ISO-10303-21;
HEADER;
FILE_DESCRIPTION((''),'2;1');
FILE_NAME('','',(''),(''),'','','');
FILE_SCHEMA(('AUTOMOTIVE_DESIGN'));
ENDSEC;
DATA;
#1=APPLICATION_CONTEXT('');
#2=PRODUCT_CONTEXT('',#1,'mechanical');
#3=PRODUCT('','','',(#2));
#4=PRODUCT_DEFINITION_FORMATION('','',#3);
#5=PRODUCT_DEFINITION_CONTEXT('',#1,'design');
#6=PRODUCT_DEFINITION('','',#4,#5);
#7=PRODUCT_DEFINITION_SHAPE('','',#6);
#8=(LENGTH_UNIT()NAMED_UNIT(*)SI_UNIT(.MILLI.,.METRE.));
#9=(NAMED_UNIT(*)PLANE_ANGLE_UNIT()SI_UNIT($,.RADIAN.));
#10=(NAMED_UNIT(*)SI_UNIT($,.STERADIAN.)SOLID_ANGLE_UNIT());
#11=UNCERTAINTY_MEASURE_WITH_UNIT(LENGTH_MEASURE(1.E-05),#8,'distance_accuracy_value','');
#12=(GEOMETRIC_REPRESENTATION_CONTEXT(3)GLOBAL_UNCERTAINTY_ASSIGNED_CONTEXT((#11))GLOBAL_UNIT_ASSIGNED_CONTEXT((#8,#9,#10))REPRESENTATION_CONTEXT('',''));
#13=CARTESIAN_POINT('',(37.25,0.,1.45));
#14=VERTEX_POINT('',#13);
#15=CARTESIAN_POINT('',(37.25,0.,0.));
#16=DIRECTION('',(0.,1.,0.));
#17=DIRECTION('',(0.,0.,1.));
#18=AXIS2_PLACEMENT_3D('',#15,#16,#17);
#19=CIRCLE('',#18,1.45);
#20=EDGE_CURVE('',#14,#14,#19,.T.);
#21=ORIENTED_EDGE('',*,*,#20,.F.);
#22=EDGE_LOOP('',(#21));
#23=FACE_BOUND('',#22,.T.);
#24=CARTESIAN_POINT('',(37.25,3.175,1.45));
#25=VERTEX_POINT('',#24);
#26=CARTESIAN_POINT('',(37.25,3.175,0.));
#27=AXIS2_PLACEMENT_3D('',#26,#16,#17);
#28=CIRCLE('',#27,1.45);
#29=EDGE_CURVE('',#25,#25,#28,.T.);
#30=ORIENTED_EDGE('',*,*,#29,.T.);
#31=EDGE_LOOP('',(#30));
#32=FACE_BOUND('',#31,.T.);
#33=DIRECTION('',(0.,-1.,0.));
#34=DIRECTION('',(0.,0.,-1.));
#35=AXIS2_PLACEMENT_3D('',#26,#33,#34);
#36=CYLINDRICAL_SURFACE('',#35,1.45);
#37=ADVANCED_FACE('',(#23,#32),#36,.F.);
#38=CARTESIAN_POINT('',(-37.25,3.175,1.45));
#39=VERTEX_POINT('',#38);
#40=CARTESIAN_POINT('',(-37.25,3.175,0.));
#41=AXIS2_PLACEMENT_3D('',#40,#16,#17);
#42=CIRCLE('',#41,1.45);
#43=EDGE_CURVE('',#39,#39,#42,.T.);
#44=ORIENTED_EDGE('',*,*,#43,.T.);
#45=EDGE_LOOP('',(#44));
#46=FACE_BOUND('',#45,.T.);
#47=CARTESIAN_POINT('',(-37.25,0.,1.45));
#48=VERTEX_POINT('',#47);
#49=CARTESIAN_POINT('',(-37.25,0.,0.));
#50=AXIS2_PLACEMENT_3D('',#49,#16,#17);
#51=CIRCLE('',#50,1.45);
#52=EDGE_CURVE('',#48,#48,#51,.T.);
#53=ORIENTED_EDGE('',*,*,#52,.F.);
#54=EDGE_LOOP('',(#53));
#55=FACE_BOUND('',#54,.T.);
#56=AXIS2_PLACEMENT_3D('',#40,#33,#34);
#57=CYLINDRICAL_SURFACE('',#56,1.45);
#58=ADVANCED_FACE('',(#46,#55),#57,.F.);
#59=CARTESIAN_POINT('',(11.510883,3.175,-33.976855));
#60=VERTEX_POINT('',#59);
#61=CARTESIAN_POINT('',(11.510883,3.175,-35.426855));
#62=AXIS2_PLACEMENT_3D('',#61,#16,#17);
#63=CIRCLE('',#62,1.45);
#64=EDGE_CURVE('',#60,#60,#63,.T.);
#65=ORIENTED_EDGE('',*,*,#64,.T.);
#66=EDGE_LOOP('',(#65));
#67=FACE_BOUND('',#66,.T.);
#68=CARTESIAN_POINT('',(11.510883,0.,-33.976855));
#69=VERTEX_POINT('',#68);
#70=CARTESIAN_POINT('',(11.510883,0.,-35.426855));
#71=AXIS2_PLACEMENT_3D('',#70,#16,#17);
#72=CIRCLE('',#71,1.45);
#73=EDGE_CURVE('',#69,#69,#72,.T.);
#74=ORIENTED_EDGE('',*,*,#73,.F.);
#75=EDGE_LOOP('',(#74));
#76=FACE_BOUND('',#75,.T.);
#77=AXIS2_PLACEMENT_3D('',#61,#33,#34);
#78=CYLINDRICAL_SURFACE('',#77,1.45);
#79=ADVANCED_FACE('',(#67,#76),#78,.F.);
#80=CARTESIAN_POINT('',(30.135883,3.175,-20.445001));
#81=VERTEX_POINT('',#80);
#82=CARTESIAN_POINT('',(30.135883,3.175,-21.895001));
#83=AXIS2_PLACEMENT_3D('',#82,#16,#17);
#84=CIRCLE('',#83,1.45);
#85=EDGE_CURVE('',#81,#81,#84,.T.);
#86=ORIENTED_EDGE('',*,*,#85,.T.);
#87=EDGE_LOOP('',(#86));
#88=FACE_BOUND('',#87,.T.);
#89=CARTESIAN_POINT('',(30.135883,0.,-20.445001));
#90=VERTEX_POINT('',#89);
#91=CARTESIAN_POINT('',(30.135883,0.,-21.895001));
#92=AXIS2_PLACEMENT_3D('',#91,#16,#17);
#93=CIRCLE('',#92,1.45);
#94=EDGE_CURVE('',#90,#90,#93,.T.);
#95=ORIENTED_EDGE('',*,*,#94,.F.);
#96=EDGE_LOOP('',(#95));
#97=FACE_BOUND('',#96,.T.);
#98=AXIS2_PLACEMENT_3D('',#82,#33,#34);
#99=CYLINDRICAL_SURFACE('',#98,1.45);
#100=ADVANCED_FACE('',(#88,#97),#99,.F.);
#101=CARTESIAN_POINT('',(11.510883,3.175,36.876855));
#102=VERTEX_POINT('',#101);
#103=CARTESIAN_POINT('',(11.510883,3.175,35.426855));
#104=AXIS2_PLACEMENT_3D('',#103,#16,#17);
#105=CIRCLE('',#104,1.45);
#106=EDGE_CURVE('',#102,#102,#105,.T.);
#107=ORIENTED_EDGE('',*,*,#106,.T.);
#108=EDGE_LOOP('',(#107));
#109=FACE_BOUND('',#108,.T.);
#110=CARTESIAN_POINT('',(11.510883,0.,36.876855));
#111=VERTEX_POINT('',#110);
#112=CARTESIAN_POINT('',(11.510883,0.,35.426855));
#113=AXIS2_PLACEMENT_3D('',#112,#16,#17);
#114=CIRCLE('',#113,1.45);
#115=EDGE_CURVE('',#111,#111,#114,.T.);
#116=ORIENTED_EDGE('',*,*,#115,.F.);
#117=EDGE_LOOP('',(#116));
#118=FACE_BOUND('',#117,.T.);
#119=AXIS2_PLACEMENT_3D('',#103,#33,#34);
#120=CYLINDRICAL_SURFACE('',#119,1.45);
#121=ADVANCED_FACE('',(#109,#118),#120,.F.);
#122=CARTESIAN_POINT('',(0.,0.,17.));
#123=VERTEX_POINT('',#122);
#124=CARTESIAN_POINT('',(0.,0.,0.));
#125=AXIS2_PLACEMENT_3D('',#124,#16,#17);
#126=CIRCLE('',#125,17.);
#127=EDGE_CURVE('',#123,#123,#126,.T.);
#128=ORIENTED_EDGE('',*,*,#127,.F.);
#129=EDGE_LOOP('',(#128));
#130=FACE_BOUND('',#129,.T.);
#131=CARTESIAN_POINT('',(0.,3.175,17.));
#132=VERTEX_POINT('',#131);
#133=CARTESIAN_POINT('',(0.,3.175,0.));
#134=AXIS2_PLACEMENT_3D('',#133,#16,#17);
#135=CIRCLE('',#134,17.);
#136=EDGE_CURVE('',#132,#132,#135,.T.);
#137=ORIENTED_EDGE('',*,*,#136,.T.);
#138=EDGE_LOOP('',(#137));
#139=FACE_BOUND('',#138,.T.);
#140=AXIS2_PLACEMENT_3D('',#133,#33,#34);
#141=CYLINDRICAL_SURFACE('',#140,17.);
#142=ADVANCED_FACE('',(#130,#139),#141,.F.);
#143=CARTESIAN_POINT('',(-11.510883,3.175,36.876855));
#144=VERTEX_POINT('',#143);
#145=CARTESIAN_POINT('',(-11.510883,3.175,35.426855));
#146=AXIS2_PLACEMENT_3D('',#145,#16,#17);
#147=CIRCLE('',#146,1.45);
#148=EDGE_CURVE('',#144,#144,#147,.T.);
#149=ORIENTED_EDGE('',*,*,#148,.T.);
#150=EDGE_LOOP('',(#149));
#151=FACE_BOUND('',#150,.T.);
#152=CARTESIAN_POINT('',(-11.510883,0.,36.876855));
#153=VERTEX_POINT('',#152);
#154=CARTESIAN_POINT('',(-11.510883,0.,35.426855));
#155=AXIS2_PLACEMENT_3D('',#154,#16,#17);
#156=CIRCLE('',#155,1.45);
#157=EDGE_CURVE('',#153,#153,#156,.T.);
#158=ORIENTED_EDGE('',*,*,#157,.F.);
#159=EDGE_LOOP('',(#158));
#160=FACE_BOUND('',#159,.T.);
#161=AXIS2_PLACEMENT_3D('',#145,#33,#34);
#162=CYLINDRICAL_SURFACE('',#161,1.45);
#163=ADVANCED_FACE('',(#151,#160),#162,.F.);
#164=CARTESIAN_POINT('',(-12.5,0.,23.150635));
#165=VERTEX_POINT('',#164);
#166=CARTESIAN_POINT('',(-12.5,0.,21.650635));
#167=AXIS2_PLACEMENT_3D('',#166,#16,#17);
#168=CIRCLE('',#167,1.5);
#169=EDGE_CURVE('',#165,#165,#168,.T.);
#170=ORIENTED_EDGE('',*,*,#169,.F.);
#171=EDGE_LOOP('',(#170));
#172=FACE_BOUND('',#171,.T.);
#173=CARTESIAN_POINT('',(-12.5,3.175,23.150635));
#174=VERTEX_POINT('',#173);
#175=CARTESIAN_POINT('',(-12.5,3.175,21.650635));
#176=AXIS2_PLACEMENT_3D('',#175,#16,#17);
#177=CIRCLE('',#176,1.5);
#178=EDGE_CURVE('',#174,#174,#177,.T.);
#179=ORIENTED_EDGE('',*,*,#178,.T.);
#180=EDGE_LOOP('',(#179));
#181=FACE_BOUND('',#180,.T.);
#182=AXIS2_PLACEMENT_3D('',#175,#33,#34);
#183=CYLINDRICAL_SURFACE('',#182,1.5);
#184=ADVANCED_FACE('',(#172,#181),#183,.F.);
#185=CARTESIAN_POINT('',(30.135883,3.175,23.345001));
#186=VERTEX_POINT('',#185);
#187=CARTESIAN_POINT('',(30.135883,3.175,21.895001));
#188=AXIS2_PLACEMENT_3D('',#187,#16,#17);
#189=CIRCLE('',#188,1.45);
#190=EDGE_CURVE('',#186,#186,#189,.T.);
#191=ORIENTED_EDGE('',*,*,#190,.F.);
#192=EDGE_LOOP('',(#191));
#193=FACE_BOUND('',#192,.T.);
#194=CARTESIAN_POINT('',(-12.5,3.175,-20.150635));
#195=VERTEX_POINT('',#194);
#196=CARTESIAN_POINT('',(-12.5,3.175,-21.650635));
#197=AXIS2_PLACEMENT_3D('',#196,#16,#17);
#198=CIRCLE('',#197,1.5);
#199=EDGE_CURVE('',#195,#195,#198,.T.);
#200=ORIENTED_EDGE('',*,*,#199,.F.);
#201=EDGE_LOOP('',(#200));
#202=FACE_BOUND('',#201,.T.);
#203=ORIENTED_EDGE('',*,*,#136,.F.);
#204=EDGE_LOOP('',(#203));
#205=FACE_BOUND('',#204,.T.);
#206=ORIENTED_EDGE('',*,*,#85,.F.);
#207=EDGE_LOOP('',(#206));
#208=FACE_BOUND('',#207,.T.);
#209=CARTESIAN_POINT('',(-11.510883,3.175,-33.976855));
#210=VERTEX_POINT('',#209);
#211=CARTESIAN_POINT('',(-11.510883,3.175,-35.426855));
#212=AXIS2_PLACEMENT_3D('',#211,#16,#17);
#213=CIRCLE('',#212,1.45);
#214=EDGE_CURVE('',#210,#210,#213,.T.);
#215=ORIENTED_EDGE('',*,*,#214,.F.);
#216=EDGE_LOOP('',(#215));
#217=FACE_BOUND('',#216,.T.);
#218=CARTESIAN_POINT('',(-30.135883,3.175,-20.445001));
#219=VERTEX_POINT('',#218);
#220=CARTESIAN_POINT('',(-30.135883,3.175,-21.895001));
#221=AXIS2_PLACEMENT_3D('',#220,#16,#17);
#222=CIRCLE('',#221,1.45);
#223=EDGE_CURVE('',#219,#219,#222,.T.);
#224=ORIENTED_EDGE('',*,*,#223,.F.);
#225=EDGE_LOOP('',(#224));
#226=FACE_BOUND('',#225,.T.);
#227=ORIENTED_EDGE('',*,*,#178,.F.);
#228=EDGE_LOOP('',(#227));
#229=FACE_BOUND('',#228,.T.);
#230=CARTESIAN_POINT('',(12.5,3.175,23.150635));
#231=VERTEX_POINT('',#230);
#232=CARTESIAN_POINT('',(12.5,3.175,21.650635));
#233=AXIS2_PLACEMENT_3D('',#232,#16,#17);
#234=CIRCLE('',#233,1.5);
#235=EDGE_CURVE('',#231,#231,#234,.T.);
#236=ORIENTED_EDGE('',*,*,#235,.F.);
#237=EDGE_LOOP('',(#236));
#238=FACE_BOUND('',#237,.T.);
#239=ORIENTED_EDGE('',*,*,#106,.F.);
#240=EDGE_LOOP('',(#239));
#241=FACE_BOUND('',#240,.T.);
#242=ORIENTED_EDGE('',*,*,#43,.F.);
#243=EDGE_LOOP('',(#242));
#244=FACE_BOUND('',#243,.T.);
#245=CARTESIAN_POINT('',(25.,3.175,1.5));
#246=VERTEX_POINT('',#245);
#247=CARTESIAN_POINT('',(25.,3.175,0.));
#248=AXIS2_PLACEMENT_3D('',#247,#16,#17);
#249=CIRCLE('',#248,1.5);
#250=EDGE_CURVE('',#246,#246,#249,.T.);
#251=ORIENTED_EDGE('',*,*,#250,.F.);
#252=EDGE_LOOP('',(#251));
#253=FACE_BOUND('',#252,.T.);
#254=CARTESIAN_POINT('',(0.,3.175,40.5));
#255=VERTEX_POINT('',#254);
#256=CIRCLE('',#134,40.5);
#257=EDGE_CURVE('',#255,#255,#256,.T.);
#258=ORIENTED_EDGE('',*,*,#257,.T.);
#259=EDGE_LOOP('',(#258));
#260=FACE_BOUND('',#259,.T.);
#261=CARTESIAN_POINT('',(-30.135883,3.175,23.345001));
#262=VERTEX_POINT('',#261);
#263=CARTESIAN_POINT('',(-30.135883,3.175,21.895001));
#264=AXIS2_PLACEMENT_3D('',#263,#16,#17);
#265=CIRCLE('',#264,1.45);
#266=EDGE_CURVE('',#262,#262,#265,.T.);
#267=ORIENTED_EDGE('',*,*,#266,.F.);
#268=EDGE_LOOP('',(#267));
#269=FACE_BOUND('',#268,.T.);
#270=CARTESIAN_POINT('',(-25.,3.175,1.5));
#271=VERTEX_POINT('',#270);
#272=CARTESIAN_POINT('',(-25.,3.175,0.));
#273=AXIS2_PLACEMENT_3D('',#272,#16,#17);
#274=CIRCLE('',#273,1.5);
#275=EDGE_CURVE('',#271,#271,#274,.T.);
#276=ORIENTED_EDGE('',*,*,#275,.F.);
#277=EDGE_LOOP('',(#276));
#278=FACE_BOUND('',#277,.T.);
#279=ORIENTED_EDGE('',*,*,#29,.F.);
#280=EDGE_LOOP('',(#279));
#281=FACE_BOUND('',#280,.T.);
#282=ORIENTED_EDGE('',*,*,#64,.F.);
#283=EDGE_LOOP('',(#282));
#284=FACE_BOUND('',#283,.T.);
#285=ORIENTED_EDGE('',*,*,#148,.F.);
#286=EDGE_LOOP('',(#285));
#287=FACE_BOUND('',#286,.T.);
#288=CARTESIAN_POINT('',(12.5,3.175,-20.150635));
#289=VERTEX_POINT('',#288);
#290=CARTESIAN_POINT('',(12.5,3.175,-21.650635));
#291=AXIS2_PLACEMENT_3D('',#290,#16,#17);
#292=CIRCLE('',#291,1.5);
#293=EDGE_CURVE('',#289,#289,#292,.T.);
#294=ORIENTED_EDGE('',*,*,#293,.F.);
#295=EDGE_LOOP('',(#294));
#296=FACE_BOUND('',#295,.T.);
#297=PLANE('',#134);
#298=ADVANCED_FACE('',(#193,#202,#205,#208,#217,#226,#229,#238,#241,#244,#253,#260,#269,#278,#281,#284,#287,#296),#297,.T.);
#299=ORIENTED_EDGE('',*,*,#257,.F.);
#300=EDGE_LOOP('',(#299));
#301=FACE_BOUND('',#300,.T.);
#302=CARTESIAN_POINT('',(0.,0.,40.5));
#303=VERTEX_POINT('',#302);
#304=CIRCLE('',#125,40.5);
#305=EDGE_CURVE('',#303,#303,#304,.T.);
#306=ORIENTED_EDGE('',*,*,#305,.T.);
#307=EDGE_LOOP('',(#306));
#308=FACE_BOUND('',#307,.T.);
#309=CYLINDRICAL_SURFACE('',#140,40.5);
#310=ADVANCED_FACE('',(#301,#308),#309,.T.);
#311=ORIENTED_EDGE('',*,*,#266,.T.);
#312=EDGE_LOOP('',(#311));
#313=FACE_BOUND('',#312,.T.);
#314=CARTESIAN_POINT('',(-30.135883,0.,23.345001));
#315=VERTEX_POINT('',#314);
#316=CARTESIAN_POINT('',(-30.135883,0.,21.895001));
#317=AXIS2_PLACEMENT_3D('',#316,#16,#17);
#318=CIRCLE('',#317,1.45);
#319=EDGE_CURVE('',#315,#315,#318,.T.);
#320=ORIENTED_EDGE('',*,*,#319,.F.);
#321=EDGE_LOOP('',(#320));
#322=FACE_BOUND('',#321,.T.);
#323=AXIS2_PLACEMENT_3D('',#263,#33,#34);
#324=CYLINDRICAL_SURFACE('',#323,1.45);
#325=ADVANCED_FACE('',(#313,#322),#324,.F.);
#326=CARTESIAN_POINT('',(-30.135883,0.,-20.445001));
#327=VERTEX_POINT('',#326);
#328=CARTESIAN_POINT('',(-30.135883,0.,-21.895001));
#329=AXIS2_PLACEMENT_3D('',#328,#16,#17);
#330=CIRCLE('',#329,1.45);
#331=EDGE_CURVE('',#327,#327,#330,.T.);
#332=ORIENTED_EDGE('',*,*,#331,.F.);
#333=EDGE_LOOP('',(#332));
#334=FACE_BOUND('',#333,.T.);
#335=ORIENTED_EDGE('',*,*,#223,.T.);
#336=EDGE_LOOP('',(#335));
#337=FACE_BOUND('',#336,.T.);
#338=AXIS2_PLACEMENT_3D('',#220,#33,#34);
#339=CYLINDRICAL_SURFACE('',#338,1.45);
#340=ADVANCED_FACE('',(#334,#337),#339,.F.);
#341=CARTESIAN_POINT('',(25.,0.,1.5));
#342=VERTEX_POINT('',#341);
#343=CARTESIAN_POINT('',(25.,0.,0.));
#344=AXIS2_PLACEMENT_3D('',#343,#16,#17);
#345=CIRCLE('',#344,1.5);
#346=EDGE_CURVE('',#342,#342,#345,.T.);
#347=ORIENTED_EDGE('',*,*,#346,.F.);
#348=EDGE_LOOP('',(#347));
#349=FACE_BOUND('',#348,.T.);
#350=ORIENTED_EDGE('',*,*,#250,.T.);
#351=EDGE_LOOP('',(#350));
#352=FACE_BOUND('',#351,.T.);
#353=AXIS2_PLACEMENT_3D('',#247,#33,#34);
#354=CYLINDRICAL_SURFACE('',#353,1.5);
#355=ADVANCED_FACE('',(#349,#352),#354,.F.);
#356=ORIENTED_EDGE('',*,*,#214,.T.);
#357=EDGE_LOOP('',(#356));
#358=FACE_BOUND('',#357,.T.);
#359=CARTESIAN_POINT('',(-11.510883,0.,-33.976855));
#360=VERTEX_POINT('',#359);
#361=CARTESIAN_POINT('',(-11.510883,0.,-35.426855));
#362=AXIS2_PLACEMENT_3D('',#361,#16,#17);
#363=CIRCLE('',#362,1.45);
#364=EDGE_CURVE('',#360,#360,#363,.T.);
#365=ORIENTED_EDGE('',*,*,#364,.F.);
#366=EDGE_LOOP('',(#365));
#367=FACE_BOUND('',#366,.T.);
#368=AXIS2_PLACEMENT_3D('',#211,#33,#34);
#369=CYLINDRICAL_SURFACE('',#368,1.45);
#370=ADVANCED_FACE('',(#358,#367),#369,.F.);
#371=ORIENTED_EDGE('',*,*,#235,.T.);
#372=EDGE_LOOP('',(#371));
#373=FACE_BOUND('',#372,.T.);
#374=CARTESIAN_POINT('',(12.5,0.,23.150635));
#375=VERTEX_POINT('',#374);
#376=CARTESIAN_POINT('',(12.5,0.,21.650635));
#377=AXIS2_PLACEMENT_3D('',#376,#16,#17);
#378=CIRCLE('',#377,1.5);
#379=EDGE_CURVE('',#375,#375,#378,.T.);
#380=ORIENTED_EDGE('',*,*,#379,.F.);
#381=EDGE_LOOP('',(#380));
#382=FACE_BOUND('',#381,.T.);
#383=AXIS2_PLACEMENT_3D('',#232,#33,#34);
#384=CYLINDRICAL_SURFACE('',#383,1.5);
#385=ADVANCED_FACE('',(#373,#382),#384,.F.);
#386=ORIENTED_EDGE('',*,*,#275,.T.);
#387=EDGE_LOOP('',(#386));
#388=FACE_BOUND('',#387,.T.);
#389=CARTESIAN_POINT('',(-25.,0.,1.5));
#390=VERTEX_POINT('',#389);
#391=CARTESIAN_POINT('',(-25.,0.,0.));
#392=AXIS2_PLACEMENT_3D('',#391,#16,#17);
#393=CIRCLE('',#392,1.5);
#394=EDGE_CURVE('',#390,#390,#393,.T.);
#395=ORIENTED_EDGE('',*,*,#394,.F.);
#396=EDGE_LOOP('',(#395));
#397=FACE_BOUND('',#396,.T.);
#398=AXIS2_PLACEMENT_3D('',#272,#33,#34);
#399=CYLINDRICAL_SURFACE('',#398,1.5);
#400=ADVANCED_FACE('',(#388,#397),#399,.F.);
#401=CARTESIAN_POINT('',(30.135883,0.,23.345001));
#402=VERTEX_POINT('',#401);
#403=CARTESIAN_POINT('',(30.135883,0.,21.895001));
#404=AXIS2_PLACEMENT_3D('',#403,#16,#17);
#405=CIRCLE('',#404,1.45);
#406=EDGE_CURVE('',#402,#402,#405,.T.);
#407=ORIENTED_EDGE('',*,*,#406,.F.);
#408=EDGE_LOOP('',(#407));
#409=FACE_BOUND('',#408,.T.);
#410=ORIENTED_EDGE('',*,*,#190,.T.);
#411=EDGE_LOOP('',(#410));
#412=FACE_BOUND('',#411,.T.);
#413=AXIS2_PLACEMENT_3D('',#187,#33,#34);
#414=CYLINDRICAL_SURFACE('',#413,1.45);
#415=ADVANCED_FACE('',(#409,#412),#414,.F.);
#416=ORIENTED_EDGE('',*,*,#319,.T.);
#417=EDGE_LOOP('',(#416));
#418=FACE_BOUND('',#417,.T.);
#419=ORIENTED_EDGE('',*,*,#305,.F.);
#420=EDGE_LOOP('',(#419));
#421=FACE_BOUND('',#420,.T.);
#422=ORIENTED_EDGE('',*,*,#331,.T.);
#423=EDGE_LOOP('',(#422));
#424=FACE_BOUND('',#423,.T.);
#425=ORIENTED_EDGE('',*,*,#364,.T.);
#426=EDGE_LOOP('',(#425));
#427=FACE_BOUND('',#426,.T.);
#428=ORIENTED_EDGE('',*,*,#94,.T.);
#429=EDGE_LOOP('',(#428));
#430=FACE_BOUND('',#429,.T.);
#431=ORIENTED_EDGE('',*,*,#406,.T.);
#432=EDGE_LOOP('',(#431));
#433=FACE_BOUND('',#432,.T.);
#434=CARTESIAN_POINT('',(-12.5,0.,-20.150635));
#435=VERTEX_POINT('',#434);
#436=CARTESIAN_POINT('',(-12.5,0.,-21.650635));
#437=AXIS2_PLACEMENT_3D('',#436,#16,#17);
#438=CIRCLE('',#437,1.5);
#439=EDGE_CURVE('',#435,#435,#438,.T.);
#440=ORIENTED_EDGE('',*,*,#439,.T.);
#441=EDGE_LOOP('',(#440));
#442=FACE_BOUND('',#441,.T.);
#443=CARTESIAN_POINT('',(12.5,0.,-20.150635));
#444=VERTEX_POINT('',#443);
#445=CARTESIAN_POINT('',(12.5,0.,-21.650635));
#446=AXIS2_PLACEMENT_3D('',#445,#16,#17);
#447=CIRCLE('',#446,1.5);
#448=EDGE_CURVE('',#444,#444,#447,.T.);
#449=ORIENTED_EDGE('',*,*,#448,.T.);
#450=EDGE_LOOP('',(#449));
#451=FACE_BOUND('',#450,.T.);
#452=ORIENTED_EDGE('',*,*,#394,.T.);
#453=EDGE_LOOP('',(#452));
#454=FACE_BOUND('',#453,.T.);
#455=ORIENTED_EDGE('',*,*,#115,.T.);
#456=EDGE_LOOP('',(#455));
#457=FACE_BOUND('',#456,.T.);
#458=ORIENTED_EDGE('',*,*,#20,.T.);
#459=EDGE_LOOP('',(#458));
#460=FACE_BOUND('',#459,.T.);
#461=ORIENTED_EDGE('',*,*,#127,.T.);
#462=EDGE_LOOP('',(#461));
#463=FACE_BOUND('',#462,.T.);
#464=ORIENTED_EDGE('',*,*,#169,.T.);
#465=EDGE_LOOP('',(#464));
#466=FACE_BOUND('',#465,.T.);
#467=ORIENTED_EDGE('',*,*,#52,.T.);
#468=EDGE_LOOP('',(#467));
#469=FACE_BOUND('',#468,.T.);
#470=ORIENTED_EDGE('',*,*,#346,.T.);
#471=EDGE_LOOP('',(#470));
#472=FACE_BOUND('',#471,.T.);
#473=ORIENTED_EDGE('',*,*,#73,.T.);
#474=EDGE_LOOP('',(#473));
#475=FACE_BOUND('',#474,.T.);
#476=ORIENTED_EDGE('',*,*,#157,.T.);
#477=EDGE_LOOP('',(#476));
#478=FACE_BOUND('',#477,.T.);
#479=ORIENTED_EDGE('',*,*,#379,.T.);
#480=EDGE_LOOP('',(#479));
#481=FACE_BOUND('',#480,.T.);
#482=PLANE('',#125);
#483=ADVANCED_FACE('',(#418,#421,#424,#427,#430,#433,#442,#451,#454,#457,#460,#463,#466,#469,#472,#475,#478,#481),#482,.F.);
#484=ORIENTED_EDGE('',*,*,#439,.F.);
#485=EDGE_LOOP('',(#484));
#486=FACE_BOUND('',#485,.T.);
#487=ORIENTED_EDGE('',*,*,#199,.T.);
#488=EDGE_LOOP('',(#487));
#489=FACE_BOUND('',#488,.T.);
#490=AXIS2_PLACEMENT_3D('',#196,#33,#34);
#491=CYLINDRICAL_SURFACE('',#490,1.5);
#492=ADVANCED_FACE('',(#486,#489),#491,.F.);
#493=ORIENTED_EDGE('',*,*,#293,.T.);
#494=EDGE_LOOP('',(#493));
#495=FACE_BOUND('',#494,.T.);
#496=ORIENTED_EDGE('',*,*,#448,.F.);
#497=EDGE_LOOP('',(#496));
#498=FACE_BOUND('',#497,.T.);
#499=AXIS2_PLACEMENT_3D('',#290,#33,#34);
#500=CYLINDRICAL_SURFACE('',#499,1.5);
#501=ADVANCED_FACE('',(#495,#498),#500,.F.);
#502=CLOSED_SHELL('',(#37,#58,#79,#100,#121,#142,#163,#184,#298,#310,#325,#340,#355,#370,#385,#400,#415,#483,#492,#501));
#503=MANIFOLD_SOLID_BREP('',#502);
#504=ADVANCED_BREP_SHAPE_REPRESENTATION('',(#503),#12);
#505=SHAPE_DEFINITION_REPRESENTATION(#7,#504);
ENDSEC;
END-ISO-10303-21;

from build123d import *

# Parameters (mm, degrees)
SKETCH2_R           = 40.5
SKETCH2_R_2         = 17
SKETCH2_R_3         = 1.45
SKETCH2_R_4         = 1.5
BOSS_EXTRUDE1_DEPTH = 3.175


with BuildPart() as part:
    # Sketch2 → Boss-Extrude1 (new body)
    with BuildSketch(Plane(origin=(0, 0, 0), x_dir=(1, 0, 0), z_dir=(0, 1, 0))):
        with Locations(Location((0, 0, 0), (0, 0, 270))):
            Circle(SKETCH2_R)
        with Locations(Location((0, 0, 0), (0, 0, 270))):
            Circle(SKETCH2_R_2, mode=Mode.SUBTRACT)
        with Locations(Location((-37.25, 0, 0), (0, 0, 270))):
            Circle(SKETCH2_R_3, mode=Mode.SUBTRACT)
        with Locations(Location((-25, 0, 0), (0, 0, 270))):
            Circle(SKETCH2_R_4, mode=Mode.SUBTRACT)
        with Locations(Location((-12.5, 21.650635095, 0), (0, 0, 270))):
            Circle(SKETCH2_R_4, mode=Mode.SUBTRACT)
        with Locations(Location((12.5, 21.650635095, 0), (0, 0, 270))):
            Circle(SKETCH2_R_4, mode=Mode.SUBTRACT)
        with Locations(Location((25, 0, 0), (0, 0, 270))):
            Circle(SKETCH2_R_4, mode=Mode.SUBTRACT)
        with Locations(Location((12.5, -21.650635095, 0), (0, 0, 270))):
            Circle(SKETCH2_R_4, mode=Mode.SUBTRACT)
        with Locations(Location((-12.5, -21.650635095, 0), (0, 0, 270))):
            Circle(SKETCH2_R_4, mode=Mode.SUBTRACT)
        with Locations(Location((-30.13588304, 21.895000648, 0), (0, 0, 270))):
            Circle(SKETCH2_R_3, mode=Mode.SUBTRACT)
        with Locations(Location((-11.51088304, 35.426855232, 0), (0, 0, 270))):
            Circle(SKETCH2_R_3, mode=Mode.SUBTRACT)
        with Locations(Location((11.51088304, 35.426855232, 0), (0, 0, 270))):
            Circle(SKETCH2_R_3, mode=Mode.SUBTRACT)
        with Locations(Location((30.13588304, 21.895000648, 0), (0, 0, 270))):
            Circle(SKETCH2_R_3, mode=Mode.SUBTRACT)
        with Locations(Location((37.25, 0, 0), (0, 0, 270))):
            Circle(SKETCH2_R_3, mode=Mode.SUBTRACT)
        with Locations(Location((30.13588304, -21.895000648, 0), (0, 0, 270))):
            Circle(SKETCH2_R_3, mode=Mode.SUBTRACT)
        with Locations(Location((11.51088304, -35.426855232, 0), (0, 0, 270))):
            Circle(SKETCH2_R_3, mode=Mode.SUBTRACT)
        with Locations(Location((-11.51088304, -35.426855232, 0), (0, 0, 270))):
            Circle(SKETCH2_R_3, mode=Mode.SUBTRACT)
        with Locations(Location((-30.13588304, -21.895000648, 0), (0, 0, 270))):
            Circle(SKETCH2_R_3, mode=Mode.SUBTRACT)
    extrude(amount=BOSS_EXTRUDE1_DEPTH)


solid = part.part
